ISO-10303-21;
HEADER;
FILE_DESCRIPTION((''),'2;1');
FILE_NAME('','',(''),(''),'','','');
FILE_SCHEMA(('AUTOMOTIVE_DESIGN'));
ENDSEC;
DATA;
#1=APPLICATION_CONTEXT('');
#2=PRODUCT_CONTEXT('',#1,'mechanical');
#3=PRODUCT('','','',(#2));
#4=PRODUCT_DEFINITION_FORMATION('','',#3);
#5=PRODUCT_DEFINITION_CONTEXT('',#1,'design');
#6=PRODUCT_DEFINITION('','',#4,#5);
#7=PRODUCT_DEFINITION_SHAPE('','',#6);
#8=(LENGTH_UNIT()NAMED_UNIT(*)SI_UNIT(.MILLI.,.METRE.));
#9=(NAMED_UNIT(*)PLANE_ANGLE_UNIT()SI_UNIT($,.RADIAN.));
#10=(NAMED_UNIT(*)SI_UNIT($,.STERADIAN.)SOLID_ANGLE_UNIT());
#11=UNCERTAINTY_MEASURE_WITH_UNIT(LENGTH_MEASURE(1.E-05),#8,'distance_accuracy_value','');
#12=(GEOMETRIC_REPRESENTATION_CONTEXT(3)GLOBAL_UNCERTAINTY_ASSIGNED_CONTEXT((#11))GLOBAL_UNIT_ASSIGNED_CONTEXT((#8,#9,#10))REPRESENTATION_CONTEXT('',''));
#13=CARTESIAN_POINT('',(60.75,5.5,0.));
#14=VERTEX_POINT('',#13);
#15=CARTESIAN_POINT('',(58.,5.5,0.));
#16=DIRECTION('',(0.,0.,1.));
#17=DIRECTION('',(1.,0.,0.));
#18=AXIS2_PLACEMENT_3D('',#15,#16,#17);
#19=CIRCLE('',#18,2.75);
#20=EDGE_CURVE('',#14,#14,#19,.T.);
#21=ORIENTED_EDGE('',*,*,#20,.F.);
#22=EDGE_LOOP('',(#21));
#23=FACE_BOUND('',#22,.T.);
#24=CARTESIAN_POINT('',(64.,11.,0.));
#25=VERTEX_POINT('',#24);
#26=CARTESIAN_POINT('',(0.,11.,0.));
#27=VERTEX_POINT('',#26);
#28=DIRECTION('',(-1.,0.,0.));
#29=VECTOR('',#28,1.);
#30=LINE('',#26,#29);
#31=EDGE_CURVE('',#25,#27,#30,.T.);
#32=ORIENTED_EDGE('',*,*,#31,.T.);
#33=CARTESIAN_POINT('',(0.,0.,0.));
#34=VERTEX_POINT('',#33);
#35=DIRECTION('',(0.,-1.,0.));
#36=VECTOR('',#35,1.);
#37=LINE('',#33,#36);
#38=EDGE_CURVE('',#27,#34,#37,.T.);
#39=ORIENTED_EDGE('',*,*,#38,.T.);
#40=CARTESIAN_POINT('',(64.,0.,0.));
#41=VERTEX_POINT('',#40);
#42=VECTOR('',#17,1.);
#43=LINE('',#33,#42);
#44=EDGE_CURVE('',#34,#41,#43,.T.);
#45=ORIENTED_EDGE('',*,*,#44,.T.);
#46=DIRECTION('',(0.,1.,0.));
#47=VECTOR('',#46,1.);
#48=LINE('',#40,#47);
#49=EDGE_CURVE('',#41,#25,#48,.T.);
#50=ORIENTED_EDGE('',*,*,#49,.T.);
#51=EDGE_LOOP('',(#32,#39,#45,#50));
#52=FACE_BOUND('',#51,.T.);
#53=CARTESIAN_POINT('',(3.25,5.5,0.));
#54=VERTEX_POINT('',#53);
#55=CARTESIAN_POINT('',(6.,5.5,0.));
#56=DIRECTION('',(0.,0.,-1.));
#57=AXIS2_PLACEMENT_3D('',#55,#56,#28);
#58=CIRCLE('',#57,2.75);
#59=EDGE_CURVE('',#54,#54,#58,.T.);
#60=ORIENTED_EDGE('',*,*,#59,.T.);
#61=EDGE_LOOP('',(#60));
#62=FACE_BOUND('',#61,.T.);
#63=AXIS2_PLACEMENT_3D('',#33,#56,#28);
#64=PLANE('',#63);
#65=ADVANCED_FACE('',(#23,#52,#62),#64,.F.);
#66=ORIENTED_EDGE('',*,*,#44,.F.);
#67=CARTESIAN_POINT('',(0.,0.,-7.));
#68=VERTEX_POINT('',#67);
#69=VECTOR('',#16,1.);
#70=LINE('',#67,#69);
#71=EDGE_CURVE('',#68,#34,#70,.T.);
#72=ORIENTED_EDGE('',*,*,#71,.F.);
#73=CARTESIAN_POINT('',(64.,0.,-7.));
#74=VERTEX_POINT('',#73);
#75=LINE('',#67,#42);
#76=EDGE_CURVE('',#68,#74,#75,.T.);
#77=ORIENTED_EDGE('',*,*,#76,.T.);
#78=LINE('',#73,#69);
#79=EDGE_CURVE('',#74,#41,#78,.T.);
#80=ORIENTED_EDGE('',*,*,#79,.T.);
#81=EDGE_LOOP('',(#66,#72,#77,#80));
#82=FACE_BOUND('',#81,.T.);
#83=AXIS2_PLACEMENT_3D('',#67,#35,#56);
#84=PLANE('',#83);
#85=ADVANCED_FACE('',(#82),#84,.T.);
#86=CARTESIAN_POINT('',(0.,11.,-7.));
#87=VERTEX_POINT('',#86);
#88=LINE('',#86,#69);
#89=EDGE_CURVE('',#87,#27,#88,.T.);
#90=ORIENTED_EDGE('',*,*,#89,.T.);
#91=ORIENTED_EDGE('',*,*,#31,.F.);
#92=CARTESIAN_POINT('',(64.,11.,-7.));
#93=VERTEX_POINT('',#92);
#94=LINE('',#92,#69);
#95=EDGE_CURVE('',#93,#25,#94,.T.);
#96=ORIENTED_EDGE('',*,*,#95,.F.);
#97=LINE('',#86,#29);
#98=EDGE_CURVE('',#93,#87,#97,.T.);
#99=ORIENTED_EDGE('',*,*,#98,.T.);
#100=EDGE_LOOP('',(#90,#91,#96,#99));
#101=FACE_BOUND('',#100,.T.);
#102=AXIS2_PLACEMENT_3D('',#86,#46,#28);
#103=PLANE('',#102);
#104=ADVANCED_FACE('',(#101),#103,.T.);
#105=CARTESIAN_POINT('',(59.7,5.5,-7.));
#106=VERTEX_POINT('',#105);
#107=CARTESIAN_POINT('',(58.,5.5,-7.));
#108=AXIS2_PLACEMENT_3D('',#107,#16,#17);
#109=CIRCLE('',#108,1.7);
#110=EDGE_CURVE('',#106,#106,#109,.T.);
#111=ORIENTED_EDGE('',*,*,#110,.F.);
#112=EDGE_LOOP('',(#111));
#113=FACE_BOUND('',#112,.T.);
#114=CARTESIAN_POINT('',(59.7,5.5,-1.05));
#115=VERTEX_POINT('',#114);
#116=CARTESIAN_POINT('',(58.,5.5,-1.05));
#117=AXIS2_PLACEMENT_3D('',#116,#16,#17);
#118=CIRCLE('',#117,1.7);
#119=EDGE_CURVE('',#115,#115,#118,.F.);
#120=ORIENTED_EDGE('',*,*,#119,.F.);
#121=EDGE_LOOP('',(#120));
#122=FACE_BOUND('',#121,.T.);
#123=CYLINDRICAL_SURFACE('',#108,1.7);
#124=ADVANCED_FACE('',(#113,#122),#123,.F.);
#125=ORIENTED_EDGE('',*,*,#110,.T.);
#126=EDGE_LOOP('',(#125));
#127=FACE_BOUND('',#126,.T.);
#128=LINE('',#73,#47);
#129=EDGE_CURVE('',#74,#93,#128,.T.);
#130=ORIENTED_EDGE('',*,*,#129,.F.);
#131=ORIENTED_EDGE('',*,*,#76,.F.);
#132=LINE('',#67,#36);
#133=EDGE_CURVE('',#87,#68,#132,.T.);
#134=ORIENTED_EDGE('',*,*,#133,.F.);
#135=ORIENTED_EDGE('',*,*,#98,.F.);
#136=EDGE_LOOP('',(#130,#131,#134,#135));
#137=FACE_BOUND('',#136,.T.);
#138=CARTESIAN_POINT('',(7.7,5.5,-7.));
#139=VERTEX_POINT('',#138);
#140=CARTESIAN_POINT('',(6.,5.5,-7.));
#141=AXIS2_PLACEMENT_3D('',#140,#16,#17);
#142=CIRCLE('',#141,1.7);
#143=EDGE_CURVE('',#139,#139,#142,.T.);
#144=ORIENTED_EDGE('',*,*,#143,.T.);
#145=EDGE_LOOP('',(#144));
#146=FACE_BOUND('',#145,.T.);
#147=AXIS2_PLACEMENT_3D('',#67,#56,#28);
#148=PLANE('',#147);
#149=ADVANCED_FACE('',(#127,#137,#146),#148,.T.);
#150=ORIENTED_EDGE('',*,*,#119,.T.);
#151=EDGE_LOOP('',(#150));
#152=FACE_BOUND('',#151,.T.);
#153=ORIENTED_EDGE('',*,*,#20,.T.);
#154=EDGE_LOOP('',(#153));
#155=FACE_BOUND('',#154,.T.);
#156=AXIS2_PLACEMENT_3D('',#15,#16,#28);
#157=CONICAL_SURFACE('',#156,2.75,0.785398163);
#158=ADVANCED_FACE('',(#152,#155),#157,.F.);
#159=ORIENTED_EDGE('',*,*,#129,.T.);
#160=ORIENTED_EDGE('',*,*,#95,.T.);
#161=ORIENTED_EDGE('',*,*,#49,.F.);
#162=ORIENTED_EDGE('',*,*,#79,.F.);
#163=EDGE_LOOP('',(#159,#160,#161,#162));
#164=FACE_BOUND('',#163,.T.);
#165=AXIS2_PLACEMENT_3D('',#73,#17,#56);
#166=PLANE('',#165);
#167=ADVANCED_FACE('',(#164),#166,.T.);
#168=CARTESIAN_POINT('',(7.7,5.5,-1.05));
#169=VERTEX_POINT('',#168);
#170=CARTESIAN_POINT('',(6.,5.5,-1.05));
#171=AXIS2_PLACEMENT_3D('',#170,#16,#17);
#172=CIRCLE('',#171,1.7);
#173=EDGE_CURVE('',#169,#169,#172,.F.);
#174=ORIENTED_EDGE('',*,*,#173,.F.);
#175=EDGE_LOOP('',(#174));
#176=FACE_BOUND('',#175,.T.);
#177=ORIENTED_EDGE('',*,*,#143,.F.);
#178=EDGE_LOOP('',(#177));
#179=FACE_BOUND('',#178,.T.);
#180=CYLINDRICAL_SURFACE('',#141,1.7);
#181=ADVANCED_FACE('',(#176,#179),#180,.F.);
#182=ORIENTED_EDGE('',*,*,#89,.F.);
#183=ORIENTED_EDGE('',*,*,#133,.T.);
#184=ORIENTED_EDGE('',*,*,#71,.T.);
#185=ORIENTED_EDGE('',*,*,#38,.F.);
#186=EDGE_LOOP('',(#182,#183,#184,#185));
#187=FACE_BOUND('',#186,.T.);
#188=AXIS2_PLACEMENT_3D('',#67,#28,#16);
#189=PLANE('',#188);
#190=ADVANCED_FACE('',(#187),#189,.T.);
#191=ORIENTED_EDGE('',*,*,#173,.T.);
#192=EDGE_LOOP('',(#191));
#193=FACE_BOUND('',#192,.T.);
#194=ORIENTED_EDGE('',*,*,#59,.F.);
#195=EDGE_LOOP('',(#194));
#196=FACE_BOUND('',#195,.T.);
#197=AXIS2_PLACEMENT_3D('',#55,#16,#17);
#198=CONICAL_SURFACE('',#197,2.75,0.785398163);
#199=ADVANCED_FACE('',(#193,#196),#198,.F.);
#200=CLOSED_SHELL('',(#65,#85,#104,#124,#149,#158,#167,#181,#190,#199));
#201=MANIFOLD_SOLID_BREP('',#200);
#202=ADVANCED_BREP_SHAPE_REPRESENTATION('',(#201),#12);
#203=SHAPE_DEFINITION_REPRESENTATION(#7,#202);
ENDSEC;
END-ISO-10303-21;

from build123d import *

# Parameters (mm, degrees)
SKETCH1_W           = 64
SKETCH1_H           = 11
BOSS_EXTRUDE1_DEPTH = 7
SKETCH3_R           = 1.7
CUT_EXTRUDE1_DEPTH  = 66.314623171


with BuildPart() as part:
    # Sketch1 → Boss-Extrude1 (new body)
    with BuildSketch(Plane.XY):
        with Locations((32, 5.5)):
            Rectangle(SKETCH1_W, SKETCH1_H)
    extrude(amount=-BOSS_EXTRUDE1_DEPTH)

    # Sketch3 → Cut-Extrude1 (cut, through all)
    with BuildSketch(Plane.XY):
        with Locations((6, 5.5)):
            Circle(SKETCH3_R)
        with Locations((58, 5.5)):
            Circle(SKETCH3_R)
    extrude(amount=-CUT_EXTRUDE1_DEPTH, mode=Mode.SUBTRACT)

    # Sketch7 → Cut-Revolve1 (revolve, cut)
    with BuildSketch(Plane(origin=(0, 5.5, 0), x_dir=(1, 0, 0), z_dir=(0, 1, 0)), mode=Mode.PRIVATE) as cut_revolve1_sk:
        Polygon((3.25, 0), (6, 0), (6, 2.75), align=None)
    cut_revolve1 = revolve(cut_revolve1_sk.sketch.rotate(Axis((6, 5.5, -2.75), (0, 0, 1)), 180), axis=Axis((6, 5.5, -2.75), (0, 0, 1)), mode=Mode.SUBTRACT)

    # Mirror1: Cut-Revolve1 across plane
    add(cut_revolve1.mirror(Plane(origin=(32, 0, 0), x_dir=(0, 0, 1), z_dir=(1, 0, 0))), mode=Mode.SUBTRACT)


solid = part.part
